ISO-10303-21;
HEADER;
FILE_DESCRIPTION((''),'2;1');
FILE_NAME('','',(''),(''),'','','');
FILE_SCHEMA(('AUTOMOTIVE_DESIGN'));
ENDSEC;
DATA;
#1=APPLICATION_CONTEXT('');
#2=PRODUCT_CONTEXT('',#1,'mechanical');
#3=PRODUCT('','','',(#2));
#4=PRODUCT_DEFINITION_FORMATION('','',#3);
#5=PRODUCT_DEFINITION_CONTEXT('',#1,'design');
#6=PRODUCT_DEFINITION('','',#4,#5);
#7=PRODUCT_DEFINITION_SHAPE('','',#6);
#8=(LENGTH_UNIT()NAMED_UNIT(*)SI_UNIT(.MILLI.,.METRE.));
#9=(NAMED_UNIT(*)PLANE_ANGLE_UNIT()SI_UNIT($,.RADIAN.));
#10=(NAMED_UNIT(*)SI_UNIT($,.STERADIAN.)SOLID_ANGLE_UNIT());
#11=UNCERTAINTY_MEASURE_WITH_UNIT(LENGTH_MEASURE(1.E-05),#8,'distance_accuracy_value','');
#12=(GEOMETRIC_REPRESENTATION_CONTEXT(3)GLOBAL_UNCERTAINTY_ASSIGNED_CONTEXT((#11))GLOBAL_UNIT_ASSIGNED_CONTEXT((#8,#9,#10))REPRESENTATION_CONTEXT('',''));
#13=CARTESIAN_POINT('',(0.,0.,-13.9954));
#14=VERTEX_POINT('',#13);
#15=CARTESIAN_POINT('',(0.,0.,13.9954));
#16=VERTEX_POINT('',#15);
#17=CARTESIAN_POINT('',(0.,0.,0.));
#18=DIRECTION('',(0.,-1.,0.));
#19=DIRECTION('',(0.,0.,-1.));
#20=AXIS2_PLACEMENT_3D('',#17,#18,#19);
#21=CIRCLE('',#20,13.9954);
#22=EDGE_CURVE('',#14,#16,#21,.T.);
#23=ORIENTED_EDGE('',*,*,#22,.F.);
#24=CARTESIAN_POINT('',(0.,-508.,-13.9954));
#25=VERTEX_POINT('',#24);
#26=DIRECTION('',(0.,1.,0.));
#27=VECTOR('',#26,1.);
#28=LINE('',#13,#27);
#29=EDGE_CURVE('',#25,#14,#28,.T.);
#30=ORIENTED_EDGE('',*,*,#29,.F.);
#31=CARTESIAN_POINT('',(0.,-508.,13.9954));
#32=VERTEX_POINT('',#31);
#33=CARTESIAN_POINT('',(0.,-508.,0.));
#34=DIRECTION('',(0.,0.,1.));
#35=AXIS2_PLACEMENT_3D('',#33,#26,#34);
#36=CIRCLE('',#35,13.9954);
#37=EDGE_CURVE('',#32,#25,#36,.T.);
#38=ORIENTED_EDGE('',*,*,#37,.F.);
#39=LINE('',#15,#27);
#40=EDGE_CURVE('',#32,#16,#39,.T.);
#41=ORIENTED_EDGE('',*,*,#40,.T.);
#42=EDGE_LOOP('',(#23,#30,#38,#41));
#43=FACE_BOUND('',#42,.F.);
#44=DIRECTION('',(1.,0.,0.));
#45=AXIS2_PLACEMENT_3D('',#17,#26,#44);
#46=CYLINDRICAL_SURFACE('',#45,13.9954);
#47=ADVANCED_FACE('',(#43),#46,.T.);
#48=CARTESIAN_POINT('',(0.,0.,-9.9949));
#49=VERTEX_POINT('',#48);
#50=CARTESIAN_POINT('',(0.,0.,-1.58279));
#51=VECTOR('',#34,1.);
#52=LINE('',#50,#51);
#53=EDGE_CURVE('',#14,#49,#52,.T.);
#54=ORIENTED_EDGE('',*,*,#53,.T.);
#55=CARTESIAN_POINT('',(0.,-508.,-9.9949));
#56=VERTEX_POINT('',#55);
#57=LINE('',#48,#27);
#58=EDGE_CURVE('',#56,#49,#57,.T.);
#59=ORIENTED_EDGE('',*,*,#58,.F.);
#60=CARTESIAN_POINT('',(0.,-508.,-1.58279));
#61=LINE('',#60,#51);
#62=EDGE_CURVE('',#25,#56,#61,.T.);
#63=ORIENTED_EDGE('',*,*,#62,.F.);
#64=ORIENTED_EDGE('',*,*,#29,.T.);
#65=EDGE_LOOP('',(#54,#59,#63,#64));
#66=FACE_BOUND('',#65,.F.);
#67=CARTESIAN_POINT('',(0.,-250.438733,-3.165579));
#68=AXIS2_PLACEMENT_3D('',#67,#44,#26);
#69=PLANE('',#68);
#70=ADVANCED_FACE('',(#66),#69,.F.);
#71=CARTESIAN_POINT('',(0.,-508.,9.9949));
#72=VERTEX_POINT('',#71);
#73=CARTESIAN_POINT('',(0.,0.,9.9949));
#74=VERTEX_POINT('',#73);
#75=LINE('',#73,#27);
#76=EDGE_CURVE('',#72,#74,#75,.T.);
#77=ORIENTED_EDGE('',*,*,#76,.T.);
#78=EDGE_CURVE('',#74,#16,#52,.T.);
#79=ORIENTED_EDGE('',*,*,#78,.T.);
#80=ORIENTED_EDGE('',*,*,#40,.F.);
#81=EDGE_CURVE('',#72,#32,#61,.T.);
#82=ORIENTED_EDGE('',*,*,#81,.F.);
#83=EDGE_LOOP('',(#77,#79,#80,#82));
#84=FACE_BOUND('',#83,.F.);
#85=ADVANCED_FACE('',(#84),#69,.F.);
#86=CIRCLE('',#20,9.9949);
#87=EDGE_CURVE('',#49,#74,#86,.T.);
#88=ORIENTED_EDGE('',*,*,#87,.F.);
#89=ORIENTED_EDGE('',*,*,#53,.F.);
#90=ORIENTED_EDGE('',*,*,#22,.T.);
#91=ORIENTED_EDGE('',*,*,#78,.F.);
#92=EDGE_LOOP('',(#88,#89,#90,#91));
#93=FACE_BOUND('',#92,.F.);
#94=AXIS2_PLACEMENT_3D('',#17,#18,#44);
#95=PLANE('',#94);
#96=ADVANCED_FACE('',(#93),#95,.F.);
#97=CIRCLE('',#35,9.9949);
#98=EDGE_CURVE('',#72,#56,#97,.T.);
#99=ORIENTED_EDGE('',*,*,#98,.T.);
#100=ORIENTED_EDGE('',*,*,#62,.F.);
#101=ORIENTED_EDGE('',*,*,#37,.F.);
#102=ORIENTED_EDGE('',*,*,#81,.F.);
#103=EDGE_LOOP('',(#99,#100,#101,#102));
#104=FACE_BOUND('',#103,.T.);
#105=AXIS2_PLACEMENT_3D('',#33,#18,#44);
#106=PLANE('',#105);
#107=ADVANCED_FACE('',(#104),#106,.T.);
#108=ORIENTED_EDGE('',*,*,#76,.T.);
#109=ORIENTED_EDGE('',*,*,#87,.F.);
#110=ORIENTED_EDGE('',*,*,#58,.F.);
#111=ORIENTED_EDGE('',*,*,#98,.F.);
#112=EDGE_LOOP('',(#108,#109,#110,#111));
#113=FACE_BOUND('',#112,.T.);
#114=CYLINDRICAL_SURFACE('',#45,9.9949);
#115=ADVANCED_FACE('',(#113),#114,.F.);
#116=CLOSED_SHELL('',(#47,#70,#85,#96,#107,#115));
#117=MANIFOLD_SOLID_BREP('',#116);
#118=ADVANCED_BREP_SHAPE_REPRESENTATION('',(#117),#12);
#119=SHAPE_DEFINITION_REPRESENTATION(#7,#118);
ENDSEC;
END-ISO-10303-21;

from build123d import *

# Parameters (mm, degrees)
F0_R     = 13.9954
F0_R_2   = 9.9949
F1_DEPTH = 508
F2_W     = 526.277456
F2_H     = 54.210538
F3_DEPTH = 25.4


with BuildPart() as f1:
    # F0 (on Front) → F1 (new body)
    with BuildSketch(Plane.XZ):
        Circle(F0_R)
        Circle(F0_R_2, mode=Mode.SUBTRACT)
    extrude(amount=F1_DEPTH)

    # F2 (on Right) → F3 (cut)
    with BuildSketch(Plane.YZ):
        with Locations((-250.438733, -3.165579)):
            Rectangle(F2_W, F2_H)
    extrude(amount=-F3_DEPTH, mode=Mode.SUBTRACT)


solid = f1.part
